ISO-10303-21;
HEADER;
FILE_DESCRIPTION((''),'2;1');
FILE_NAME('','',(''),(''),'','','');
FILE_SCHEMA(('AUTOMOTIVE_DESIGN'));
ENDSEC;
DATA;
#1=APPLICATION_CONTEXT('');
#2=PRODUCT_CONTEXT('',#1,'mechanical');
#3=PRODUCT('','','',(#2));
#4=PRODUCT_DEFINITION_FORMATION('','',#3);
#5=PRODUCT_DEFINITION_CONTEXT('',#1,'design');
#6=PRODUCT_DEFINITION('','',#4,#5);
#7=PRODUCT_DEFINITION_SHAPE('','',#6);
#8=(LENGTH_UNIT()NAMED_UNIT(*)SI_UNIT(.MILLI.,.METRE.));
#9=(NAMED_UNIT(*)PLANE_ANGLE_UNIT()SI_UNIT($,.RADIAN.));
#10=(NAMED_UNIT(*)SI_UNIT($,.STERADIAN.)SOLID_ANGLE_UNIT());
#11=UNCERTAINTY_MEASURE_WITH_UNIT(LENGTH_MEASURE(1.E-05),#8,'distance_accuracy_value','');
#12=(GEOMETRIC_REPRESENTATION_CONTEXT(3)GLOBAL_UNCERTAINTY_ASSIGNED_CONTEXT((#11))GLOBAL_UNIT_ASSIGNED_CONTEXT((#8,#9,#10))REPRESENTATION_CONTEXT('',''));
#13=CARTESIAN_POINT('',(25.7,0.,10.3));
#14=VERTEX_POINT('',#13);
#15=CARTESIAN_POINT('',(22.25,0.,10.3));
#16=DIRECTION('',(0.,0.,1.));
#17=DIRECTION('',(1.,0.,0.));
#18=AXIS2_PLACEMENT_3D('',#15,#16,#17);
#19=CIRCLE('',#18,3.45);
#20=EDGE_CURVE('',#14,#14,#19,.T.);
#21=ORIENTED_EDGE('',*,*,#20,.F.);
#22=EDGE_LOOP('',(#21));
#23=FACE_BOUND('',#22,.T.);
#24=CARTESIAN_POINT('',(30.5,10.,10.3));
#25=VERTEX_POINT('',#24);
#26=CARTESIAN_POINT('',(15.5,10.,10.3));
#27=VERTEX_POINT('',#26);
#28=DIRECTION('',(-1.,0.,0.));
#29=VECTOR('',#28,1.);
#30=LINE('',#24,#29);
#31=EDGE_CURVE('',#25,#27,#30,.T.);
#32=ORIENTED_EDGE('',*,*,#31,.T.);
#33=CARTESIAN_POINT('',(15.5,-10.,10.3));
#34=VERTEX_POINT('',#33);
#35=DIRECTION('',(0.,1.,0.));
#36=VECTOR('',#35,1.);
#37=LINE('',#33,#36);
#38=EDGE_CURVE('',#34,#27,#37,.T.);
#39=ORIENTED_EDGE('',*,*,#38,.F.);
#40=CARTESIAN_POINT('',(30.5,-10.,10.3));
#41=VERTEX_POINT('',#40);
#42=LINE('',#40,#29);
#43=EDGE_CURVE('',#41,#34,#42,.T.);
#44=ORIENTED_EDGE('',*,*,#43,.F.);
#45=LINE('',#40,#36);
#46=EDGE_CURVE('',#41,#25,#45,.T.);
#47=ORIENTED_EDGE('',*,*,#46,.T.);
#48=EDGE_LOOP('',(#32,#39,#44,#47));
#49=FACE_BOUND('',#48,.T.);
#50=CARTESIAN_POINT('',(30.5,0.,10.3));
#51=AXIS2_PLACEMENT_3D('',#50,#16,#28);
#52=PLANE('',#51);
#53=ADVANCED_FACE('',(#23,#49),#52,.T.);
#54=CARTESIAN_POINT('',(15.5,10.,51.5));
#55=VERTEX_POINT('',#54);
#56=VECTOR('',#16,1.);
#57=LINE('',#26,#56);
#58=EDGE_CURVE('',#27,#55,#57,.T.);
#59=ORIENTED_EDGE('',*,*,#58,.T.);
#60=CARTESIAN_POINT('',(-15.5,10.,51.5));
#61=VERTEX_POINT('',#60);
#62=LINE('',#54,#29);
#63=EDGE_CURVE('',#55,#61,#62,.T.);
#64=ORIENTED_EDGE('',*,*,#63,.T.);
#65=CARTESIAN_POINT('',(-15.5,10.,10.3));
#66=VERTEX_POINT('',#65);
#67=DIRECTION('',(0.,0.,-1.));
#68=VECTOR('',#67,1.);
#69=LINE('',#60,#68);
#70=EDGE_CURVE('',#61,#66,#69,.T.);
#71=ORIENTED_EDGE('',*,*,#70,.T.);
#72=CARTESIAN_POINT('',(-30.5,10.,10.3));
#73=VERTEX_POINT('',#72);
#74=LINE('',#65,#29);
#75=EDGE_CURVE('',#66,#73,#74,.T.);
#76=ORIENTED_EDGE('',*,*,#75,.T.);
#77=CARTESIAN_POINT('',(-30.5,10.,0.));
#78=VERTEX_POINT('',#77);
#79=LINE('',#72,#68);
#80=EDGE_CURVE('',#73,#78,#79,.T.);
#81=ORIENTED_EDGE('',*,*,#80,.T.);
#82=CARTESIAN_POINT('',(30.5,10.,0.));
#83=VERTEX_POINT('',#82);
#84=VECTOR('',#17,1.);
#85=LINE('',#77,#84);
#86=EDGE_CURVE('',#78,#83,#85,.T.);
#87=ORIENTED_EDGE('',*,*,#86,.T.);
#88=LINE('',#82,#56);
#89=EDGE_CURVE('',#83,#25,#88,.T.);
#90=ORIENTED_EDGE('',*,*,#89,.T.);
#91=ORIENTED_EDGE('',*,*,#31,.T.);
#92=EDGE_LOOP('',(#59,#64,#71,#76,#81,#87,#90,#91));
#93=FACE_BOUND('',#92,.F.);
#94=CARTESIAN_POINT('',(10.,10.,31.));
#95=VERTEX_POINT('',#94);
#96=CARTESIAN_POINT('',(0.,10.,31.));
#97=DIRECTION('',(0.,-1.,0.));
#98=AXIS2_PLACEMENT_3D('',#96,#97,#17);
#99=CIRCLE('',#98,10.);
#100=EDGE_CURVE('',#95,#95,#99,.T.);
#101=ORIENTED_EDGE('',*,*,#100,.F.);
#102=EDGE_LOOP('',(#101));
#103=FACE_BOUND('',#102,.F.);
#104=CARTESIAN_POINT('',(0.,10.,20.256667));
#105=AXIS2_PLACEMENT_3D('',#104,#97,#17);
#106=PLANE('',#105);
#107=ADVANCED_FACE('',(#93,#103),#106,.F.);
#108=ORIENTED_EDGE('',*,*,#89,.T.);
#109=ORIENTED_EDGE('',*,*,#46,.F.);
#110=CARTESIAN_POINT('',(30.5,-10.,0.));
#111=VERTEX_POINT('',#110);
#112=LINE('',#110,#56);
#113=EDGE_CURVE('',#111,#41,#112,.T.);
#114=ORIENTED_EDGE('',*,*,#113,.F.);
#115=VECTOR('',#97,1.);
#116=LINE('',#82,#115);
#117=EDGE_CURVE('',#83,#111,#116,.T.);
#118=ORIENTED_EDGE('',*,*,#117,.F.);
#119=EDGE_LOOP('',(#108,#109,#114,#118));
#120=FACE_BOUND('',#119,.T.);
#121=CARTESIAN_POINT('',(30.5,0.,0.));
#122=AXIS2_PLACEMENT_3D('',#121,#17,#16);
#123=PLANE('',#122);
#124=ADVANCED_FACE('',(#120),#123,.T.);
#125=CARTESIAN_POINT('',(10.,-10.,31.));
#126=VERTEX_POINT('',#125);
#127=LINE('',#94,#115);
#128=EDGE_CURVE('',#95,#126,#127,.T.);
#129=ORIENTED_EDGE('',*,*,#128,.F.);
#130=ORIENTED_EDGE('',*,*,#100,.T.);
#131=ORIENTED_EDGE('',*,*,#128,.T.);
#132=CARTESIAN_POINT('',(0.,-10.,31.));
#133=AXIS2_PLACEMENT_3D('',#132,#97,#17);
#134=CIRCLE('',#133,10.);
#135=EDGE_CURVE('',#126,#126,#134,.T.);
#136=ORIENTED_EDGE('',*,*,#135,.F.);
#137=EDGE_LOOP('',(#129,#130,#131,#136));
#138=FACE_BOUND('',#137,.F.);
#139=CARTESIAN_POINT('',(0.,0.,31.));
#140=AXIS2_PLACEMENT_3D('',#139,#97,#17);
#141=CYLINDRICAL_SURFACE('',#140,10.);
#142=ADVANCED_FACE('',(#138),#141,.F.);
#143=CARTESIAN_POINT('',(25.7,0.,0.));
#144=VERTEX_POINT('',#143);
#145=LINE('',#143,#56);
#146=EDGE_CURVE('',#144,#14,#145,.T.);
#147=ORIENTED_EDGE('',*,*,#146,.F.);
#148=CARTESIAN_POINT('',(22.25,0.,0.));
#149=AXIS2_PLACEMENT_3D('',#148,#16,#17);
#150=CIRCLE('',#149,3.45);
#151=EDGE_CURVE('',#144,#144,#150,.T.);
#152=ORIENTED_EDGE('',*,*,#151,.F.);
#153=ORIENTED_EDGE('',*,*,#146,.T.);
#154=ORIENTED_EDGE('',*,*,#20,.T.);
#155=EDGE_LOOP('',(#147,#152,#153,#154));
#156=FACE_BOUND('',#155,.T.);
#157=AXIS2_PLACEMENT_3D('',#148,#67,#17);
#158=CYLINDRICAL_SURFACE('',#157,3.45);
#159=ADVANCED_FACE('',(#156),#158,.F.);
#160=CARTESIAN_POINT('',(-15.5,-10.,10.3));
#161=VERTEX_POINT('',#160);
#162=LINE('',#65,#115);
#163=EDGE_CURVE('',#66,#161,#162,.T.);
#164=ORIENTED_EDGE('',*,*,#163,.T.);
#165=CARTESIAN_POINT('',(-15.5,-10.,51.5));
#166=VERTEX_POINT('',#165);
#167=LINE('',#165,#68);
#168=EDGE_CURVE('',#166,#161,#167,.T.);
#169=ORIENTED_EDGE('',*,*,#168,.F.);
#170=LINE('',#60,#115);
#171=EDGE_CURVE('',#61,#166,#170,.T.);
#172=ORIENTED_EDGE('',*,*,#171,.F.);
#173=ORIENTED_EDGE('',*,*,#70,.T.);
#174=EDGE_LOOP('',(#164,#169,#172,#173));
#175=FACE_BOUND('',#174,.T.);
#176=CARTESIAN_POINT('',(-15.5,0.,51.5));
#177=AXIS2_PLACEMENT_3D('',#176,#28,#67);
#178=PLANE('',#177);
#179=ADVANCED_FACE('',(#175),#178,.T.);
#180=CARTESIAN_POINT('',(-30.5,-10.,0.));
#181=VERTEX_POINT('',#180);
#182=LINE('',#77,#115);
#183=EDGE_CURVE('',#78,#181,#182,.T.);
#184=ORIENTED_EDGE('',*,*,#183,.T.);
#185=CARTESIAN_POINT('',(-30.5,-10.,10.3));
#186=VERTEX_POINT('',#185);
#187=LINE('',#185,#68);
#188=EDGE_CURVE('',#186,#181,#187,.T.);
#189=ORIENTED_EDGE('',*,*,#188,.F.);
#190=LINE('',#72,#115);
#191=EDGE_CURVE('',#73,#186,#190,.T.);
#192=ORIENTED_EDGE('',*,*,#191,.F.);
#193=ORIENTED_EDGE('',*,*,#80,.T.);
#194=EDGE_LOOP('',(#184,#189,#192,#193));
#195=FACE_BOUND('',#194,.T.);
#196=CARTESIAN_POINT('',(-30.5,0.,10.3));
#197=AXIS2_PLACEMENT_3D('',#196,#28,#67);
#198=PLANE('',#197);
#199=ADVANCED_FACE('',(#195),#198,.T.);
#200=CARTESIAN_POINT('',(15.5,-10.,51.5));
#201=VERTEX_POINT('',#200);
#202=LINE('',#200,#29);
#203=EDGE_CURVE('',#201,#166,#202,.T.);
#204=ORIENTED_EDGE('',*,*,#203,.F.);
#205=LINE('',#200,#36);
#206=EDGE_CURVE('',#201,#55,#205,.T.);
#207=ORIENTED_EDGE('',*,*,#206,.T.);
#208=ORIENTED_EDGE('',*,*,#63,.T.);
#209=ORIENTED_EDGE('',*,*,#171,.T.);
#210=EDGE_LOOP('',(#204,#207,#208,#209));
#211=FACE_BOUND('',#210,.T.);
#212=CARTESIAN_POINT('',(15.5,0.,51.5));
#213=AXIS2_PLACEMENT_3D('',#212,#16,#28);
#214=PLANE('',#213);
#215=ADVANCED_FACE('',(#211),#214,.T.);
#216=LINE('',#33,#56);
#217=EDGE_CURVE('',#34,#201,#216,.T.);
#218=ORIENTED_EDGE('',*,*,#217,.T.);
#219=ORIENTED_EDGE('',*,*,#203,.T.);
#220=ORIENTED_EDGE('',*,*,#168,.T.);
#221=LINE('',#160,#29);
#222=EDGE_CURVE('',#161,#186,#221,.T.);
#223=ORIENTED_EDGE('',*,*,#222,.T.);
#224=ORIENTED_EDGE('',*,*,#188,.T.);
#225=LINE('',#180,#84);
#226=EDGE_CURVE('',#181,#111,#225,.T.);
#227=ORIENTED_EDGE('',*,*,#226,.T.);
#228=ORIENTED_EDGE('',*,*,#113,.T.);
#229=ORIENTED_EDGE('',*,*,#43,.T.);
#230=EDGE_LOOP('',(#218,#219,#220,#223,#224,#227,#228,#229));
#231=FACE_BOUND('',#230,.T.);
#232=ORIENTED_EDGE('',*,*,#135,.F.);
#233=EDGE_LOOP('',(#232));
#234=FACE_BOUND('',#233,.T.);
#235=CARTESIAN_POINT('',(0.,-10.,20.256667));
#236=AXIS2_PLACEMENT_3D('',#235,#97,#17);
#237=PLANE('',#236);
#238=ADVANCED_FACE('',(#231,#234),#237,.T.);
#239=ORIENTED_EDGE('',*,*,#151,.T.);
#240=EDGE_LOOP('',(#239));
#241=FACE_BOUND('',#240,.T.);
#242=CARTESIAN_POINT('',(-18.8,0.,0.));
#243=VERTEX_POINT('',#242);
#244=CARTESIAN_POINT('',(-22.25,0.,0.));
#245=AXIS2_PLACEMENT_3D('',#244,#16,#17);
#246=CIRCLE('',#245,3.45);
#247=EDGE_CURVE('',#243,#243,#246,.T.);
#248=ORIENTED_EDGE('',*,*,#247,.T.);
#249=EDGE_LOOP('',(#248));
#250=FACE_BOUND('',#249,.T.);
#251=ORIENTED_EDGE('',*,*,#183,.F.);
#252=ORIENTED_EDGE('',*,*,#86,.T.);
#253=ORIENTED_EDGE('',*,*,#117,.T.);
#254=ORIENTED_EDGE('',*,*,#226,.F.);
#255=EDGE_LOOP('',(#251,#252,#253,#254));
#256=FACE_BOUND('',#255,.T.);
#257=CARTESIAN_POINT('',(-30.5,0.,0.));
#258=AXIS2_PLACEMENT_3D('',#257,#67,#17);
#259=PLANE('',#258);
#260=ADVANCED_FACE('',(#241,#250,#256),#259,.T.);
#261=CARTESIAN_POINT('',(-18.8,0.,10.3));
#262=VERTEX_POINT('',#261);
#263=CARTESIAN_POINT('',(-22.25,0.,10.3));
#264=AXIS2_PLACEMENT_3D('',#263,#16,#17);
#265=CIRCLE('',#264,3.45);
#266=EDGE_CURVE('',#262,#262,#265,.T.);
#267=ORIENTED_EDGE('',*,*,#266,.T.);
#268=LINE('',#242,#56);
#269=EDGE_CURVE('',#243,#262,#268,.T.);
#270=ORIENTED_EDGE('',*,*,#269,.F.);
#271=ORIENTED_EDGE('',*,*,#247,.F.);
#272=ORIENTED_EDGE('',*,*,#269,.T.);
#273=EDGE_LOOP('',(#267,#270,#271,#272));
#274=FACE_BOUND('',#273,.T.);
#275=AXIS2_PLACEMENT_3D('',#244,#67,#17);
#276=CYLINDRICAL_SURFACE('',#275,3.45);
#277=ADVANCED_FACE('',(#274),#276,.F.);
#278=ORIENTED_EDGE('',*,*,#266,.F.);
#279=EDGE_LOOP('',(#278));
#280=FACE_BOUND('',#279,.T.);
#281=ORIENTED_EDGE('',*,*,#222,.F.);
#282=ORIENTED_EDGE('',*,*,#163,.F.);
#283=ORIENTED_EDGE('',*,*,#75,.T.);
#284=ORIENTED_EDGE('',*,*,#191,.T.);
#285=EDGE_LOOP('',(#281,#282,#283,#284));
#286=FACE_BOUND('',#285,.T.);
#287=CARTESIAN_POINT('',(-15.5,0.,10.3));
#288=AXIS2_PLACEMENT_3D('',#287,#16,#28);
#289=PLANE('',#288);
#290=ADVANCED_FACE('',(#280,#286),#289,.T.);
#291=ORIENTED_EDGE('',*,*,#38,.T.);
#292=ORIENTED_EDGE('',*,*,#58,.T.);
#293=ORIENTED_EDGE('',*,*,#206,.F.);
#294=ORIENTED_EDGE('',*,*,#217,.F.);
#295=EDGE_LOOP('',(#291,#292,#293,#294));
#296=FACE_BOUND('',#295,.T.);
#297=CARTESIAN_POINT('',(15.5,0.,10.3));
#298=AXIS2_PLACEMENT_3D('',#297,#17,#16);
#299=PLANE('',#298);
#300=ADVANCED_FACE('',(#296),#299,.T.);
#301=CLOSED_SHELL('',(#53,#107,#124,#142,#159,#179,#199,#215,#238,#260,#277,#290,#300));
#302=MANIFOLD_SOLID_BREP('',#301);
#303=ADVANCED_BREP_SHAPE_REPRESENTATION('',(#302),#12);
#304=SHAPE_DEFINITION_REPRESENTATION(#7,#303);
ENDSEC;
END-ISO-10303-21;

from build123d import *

# Parameters (mm, degrees)
F1_DEPTH = 10
F2_R     = 10
F3_DEPTH = 10
F4_R     = 3.45
F5_DEPTH = 10.3


with BuildPart() as f1:
    # F0 (on Front) → F1 (new body, symmetric)
    with BuildSketch(Plane.XZ):
        Polygon((15.5, 51.5), (-15.5, 51.5), (-15.5, 10.3), (-30.5, 10.3), (-30.5, 0), (30.5, 0), (30.5, 10.3), (15.5, 10.3), align=None)
    extrude(amount=F1_DEPTH, both=True)

    # F2 (on Front) → F3 (cut, symmetric)
    with BuildSketch(Plane.XZ):
        with Locations((0, 31)):
            Circle(F2_R)
    extrude(amount=F3_DEPTH, both=True, mode=Mode.SUBTRACT)

    # F4 (on Top) → F5 (cut, through all)
    with BuildSketch(Plane.XY):
        with Locations((-22.25, 0)):
            Circle(F4_R)
        with Locations((22.25, 0)):
            Circle(F4_R)
    extrude(amount=F5_DEPTH, mode=Mode.SUBTRACT)


solid = f1.part
